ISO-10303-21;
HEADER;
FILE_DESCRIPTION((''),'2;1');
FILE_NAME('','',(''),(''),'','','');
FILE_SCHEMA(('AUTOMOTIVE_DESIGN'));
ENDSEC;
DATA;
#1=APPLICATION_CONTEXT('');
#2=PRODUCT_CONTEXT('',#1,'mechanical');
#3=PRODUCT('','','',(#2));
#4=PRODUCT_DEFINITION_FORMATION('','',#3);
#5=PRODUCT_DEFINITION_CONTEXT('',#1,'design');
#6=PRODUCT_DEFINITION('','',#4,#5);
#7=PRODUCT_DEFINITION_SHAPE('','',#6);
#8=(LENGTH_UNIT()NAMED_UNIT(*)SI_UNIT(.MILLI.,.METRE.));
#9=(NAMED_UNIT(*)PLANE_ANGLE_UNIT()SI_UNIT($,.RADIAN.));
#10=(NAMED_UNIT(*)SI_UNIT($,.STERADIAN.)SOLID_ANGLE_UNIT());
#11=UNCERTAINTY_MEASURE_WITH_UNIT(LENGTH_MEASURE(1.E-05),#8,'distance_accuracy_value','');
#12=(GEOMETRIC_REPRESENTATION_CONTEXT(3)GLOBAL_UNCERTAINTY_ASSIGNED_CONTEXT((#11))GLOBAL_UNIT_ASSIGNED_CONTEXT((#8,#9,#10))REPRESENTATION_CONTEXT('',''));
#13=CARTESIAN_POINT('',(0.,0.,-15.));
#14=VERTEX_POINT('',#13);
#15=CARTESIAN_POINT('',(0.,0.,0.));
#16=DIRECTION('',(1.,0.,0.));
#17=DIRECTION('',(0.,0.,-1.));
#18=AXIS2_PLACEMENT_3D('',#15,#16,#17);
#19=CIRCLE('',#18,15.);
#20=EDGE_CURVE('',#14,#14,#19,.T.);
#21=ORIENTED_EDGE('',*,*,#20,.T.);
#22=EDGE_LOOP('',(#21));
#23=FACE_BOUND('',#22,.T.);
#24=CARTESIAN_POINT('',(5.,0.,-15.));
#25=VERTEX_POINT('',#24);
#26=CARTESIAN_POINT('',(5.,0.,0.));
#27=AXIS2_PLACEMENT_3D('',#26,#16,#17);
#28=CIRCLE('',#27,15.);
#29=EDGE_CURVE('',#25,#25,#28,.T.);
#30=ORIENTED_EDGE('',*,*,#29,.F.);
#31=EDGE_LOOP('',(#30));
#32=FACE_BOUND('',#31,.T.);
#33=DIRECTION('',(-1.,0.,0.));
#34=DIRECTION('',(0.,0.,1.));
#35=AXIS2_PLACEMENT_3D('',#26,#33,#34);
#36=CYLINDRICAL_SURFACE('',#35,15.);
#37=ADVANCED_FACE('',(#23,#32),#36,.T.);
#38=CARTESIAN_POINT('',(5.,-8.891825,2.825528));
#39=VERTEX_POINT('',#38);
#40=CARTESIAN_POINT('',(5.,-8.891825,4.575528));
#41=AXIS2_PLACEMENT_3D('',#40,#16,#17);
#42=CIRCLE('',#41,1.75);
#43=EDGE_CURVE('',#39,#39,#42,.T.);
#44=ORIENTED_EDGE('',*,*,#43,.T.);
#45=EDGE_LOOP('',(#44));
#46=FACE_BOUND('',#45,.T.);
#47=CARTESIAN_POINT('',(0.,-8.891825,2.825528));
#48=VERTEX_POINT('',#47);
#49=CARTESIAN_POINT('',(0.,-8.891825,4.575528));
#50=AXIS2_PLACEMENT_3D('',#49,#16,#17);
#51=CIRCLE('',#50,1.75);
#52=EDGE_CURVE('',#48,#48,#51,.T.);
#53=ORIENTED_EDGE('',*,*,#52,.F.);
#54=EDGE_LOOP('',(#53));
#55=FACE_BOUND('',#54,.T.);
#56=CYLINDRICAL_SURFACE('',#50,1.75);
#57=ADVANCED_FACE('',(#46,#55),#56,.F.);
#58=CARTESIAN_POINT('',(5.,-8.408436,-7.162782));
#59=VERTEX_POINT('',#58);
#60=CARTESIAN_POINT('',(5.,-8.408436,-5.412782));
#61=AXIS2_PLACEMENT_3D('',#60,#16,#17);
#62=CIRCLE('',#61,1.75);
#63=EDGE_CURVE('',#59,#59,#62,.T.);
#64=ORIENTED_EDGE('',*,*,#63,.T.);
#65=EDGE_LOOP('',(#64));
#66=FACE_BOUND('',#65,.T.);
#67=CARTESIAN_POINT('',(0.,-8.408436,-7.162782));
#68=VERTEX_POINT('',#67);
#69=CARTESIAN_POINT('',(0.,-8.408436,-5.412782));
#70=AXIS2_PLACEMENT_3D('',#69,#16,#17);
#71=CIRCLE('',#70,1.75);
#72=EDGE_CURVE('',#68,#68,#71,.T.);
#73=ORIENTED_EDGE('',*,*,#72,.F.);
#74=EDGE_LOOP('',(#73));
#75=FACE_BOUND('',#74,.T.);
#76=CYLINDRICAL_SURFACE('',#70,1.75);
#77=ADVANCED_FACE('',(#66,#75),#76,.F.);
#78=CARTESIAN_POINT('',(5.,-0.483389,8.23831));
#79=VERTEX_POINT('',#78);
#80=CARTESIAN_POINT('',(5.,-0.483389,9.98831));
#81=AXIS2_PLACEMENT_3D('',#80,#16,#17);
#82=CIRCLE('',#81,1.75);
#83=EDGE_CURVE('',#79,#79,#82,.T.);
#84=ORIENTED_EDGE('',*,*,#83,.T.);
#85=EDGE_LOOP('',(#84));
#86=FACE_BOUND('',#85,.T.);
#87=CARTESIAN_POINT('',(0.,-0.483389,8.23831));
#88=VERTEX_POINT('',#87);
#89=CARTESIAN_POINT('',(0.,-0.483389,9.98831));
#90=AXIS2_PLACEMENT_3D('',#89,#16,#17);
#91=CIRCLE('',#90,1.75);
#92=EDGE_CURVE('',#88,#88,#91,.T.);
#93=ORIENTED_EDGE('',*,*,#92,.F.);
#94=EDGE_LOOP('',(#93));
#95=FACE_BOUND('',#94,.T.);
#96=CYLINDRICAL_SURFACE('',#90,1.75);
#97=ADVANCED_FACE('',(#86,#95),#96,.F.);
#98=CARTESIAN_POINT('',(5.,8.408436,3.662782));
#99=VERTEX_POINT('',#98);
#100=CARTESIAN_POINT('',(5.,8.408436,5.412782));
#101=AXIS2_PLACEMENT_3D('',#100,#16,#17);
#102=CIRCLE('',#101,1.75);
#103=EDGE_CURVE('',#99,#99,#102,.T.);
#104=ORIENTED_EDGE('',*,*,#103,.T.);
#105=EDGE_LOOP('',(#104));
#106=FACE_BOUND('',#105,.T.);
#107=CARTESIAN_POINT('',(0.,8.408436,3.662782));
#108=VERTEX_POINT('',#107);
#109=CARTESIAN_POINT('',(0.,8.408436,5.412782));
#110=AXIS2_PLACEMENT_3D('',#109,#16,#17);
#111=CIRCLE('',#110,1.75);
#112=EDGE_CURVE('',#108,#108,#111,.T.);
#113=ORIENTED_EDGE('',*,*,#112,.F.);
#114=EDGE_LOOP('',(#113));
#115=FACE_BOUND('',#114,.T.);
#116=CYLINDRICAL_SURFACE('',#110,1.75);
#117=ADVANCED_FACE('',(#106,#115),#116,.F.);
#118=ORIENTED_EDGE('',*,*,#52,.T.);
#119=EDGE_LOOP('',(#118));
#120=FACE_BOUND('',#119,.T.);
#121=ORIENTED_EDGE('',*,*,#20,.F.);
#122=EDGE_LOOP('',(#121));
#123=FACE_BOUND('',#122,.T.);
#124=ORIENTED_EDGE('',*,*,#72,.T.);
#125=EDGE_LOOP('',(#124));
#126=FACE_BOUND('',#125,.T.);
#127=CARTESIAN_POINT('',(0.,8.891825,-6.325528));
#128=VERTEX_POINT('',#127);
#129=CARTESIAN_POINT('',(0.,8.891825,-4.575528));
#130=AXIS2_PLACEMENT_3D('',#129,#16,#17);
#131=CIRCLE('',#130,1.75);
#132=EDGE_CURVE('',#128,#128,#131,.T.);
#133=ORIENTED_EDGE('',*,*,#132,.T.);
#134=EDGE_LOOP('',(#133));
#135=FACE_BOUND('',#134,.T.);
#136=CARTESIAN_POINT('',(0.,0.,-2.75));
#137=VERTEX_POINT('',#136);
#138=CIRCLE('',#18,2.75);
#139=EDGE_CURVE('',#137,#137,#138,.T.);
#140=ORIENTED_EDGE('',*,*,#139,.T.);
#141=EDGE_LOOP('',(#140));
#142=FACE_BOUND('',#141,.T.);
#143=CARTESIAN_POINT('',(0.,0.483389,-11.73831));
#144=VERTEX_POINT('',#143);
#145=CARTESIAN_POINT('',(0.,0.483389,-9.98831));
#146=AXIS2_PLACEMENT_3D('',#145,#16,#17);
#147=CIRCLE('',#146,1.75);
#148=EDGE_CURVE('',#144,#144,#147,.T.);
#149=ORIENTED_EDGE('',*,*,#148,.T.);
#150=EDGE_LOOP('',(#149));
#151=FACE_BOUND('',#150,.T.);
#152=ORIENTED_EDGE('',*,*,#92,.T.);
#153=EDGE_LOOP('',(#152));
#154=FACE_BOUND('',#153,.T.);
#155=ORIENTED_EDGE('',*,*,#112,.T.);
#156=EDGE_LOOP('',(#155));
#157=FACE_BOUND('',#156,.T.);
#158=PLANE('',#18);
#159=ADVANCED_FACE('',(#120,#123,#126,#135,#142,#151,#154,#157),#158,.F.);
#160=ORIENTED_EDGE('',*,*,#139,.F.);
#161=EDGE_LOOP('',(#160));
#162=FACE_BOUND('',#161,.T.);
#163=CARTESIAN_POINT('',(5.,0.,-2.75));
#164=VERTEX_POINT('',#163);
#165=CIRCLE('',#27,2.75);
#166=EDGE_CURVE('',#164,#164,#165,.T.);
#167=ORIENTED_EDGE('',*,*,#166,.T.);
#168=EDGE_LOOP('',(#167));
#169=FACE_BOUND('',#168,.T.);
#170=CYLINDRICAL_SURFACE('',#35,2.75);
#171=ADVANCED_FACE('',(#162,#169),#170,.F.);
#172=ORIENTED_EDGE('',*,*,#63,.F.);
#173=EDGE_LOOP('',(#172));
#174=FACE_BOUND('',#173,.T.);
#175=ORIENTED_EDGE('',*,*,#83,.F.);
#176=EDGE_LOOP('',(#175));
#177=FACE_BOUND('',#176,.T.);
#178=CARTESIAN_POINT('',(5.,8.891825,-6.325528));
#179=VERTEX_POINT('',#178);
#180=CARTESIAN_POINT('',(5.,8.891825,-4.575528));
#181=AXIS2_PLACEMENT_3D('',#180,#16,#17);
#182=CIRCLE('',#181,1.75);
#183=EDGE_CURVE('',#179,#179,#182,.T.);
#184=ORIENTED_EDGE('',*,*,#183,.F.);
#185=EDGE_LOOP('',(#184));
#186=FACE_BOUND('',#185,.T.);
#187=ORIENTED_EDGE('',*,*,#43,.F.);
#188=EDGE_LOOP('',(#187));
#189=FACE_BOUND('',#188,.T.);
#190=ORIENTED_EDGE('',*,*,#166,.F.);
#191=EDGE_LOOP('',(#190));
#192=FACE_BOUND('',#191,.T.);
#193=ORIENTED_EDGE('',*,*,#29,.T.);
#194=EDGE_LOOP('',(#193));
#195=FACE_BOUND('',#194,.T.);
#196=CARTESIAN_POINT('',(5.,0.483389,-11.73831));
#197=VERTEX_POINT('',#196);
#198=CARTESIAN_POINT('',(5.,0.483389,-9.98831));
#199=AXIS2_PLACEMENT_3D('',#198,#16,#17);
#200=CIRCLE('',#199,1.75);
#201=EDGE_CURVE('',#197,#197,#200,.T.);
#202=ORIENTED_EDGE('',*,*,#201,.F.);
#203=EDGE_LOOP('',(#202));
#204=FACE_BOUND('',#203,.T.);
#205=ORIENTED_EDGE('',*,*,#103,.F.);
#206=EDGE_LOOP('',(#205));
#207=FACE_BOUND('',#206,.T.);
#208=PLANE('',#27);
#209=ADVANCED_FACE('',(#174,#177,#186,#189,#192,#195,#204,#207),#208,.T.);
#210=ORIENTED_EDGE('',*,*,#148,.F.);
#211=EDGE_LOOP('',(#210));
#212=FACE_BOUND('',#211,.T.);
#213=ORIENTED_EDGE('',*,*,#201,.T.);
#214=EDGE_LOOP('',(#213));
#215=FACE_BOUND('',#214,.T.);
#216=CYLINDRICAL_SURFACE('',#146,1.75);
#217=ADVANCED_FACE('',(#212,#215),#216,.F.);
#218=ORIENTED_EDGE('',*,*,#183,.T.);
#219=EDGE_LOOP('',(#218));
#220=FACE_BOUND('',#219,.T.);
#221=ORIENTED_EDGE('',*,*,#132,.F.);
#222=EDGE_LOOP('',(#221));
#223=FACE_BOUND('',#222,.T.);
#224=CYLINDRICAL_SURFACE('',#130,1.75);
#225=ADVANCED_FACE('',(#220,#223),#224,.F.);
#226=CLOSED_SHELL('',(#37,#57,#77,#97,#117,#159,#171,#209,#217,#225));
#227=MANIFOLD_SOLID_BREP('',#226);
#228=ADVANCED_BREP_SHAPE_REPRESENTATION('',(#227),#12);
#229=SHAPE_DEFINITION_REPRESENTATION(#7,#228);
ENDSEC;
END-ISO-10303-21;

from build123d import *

# Parameters (mm, degrees)
SKETCH1_R           = 15
SKETCH1_R_2         = 2.75
BOSS_EXTRUDE1_DEPTH = 5
SKETCH3_R           = 1.75
CUT_EXTRUDE1_DEPTH  = 22.794494718


with BuildPart() as part:
    # Sketch1 → Boss-Extrude1 (new body)
    with BuildSketch(Plane(origin=(0, 0, 0), x_dir=(0, 0, -1), z_dir=(1, 0, 0))):
        Circle(SKETCH1_R)
        Circle(SKETCH1_R_2, mode=Mode.SUBTRACT)
    extrude(amount=BOSS_EXTRUDE1_DEPTH)

    # Sketch3 → Cut-Extrude1 (cut, through all)
    with BuildSketch(Plane(origin=(5, 0, 0), x_dir=(0, 0, -1), z_dir=(1, 0, 0))):
        with Locations((9.988309919, 0.483389029)):
            Circle(SKETCH3_R)
        with Locations((5.412782139, -8.408435617)):
            Circle(SKETCH3_R)
        with Locations((-4.575527781, -8.891824646)):
            Circle(SKETCH3_R)
        with Locations((-9.988309919, -0.483389029)):
            Circle(SKETCH3_R)
        with Locations((-5.412782139, 8.408435617)):
            Circle(SKETCH3_R)
        with Locations((4.575527781, 8.891824646)):
            Circle(SKETCH3_R)
    extrude(amount=-CUT_EXTRUDE1_DEPTH, mode=Mode.SUBTRACT)


solid = part.part
